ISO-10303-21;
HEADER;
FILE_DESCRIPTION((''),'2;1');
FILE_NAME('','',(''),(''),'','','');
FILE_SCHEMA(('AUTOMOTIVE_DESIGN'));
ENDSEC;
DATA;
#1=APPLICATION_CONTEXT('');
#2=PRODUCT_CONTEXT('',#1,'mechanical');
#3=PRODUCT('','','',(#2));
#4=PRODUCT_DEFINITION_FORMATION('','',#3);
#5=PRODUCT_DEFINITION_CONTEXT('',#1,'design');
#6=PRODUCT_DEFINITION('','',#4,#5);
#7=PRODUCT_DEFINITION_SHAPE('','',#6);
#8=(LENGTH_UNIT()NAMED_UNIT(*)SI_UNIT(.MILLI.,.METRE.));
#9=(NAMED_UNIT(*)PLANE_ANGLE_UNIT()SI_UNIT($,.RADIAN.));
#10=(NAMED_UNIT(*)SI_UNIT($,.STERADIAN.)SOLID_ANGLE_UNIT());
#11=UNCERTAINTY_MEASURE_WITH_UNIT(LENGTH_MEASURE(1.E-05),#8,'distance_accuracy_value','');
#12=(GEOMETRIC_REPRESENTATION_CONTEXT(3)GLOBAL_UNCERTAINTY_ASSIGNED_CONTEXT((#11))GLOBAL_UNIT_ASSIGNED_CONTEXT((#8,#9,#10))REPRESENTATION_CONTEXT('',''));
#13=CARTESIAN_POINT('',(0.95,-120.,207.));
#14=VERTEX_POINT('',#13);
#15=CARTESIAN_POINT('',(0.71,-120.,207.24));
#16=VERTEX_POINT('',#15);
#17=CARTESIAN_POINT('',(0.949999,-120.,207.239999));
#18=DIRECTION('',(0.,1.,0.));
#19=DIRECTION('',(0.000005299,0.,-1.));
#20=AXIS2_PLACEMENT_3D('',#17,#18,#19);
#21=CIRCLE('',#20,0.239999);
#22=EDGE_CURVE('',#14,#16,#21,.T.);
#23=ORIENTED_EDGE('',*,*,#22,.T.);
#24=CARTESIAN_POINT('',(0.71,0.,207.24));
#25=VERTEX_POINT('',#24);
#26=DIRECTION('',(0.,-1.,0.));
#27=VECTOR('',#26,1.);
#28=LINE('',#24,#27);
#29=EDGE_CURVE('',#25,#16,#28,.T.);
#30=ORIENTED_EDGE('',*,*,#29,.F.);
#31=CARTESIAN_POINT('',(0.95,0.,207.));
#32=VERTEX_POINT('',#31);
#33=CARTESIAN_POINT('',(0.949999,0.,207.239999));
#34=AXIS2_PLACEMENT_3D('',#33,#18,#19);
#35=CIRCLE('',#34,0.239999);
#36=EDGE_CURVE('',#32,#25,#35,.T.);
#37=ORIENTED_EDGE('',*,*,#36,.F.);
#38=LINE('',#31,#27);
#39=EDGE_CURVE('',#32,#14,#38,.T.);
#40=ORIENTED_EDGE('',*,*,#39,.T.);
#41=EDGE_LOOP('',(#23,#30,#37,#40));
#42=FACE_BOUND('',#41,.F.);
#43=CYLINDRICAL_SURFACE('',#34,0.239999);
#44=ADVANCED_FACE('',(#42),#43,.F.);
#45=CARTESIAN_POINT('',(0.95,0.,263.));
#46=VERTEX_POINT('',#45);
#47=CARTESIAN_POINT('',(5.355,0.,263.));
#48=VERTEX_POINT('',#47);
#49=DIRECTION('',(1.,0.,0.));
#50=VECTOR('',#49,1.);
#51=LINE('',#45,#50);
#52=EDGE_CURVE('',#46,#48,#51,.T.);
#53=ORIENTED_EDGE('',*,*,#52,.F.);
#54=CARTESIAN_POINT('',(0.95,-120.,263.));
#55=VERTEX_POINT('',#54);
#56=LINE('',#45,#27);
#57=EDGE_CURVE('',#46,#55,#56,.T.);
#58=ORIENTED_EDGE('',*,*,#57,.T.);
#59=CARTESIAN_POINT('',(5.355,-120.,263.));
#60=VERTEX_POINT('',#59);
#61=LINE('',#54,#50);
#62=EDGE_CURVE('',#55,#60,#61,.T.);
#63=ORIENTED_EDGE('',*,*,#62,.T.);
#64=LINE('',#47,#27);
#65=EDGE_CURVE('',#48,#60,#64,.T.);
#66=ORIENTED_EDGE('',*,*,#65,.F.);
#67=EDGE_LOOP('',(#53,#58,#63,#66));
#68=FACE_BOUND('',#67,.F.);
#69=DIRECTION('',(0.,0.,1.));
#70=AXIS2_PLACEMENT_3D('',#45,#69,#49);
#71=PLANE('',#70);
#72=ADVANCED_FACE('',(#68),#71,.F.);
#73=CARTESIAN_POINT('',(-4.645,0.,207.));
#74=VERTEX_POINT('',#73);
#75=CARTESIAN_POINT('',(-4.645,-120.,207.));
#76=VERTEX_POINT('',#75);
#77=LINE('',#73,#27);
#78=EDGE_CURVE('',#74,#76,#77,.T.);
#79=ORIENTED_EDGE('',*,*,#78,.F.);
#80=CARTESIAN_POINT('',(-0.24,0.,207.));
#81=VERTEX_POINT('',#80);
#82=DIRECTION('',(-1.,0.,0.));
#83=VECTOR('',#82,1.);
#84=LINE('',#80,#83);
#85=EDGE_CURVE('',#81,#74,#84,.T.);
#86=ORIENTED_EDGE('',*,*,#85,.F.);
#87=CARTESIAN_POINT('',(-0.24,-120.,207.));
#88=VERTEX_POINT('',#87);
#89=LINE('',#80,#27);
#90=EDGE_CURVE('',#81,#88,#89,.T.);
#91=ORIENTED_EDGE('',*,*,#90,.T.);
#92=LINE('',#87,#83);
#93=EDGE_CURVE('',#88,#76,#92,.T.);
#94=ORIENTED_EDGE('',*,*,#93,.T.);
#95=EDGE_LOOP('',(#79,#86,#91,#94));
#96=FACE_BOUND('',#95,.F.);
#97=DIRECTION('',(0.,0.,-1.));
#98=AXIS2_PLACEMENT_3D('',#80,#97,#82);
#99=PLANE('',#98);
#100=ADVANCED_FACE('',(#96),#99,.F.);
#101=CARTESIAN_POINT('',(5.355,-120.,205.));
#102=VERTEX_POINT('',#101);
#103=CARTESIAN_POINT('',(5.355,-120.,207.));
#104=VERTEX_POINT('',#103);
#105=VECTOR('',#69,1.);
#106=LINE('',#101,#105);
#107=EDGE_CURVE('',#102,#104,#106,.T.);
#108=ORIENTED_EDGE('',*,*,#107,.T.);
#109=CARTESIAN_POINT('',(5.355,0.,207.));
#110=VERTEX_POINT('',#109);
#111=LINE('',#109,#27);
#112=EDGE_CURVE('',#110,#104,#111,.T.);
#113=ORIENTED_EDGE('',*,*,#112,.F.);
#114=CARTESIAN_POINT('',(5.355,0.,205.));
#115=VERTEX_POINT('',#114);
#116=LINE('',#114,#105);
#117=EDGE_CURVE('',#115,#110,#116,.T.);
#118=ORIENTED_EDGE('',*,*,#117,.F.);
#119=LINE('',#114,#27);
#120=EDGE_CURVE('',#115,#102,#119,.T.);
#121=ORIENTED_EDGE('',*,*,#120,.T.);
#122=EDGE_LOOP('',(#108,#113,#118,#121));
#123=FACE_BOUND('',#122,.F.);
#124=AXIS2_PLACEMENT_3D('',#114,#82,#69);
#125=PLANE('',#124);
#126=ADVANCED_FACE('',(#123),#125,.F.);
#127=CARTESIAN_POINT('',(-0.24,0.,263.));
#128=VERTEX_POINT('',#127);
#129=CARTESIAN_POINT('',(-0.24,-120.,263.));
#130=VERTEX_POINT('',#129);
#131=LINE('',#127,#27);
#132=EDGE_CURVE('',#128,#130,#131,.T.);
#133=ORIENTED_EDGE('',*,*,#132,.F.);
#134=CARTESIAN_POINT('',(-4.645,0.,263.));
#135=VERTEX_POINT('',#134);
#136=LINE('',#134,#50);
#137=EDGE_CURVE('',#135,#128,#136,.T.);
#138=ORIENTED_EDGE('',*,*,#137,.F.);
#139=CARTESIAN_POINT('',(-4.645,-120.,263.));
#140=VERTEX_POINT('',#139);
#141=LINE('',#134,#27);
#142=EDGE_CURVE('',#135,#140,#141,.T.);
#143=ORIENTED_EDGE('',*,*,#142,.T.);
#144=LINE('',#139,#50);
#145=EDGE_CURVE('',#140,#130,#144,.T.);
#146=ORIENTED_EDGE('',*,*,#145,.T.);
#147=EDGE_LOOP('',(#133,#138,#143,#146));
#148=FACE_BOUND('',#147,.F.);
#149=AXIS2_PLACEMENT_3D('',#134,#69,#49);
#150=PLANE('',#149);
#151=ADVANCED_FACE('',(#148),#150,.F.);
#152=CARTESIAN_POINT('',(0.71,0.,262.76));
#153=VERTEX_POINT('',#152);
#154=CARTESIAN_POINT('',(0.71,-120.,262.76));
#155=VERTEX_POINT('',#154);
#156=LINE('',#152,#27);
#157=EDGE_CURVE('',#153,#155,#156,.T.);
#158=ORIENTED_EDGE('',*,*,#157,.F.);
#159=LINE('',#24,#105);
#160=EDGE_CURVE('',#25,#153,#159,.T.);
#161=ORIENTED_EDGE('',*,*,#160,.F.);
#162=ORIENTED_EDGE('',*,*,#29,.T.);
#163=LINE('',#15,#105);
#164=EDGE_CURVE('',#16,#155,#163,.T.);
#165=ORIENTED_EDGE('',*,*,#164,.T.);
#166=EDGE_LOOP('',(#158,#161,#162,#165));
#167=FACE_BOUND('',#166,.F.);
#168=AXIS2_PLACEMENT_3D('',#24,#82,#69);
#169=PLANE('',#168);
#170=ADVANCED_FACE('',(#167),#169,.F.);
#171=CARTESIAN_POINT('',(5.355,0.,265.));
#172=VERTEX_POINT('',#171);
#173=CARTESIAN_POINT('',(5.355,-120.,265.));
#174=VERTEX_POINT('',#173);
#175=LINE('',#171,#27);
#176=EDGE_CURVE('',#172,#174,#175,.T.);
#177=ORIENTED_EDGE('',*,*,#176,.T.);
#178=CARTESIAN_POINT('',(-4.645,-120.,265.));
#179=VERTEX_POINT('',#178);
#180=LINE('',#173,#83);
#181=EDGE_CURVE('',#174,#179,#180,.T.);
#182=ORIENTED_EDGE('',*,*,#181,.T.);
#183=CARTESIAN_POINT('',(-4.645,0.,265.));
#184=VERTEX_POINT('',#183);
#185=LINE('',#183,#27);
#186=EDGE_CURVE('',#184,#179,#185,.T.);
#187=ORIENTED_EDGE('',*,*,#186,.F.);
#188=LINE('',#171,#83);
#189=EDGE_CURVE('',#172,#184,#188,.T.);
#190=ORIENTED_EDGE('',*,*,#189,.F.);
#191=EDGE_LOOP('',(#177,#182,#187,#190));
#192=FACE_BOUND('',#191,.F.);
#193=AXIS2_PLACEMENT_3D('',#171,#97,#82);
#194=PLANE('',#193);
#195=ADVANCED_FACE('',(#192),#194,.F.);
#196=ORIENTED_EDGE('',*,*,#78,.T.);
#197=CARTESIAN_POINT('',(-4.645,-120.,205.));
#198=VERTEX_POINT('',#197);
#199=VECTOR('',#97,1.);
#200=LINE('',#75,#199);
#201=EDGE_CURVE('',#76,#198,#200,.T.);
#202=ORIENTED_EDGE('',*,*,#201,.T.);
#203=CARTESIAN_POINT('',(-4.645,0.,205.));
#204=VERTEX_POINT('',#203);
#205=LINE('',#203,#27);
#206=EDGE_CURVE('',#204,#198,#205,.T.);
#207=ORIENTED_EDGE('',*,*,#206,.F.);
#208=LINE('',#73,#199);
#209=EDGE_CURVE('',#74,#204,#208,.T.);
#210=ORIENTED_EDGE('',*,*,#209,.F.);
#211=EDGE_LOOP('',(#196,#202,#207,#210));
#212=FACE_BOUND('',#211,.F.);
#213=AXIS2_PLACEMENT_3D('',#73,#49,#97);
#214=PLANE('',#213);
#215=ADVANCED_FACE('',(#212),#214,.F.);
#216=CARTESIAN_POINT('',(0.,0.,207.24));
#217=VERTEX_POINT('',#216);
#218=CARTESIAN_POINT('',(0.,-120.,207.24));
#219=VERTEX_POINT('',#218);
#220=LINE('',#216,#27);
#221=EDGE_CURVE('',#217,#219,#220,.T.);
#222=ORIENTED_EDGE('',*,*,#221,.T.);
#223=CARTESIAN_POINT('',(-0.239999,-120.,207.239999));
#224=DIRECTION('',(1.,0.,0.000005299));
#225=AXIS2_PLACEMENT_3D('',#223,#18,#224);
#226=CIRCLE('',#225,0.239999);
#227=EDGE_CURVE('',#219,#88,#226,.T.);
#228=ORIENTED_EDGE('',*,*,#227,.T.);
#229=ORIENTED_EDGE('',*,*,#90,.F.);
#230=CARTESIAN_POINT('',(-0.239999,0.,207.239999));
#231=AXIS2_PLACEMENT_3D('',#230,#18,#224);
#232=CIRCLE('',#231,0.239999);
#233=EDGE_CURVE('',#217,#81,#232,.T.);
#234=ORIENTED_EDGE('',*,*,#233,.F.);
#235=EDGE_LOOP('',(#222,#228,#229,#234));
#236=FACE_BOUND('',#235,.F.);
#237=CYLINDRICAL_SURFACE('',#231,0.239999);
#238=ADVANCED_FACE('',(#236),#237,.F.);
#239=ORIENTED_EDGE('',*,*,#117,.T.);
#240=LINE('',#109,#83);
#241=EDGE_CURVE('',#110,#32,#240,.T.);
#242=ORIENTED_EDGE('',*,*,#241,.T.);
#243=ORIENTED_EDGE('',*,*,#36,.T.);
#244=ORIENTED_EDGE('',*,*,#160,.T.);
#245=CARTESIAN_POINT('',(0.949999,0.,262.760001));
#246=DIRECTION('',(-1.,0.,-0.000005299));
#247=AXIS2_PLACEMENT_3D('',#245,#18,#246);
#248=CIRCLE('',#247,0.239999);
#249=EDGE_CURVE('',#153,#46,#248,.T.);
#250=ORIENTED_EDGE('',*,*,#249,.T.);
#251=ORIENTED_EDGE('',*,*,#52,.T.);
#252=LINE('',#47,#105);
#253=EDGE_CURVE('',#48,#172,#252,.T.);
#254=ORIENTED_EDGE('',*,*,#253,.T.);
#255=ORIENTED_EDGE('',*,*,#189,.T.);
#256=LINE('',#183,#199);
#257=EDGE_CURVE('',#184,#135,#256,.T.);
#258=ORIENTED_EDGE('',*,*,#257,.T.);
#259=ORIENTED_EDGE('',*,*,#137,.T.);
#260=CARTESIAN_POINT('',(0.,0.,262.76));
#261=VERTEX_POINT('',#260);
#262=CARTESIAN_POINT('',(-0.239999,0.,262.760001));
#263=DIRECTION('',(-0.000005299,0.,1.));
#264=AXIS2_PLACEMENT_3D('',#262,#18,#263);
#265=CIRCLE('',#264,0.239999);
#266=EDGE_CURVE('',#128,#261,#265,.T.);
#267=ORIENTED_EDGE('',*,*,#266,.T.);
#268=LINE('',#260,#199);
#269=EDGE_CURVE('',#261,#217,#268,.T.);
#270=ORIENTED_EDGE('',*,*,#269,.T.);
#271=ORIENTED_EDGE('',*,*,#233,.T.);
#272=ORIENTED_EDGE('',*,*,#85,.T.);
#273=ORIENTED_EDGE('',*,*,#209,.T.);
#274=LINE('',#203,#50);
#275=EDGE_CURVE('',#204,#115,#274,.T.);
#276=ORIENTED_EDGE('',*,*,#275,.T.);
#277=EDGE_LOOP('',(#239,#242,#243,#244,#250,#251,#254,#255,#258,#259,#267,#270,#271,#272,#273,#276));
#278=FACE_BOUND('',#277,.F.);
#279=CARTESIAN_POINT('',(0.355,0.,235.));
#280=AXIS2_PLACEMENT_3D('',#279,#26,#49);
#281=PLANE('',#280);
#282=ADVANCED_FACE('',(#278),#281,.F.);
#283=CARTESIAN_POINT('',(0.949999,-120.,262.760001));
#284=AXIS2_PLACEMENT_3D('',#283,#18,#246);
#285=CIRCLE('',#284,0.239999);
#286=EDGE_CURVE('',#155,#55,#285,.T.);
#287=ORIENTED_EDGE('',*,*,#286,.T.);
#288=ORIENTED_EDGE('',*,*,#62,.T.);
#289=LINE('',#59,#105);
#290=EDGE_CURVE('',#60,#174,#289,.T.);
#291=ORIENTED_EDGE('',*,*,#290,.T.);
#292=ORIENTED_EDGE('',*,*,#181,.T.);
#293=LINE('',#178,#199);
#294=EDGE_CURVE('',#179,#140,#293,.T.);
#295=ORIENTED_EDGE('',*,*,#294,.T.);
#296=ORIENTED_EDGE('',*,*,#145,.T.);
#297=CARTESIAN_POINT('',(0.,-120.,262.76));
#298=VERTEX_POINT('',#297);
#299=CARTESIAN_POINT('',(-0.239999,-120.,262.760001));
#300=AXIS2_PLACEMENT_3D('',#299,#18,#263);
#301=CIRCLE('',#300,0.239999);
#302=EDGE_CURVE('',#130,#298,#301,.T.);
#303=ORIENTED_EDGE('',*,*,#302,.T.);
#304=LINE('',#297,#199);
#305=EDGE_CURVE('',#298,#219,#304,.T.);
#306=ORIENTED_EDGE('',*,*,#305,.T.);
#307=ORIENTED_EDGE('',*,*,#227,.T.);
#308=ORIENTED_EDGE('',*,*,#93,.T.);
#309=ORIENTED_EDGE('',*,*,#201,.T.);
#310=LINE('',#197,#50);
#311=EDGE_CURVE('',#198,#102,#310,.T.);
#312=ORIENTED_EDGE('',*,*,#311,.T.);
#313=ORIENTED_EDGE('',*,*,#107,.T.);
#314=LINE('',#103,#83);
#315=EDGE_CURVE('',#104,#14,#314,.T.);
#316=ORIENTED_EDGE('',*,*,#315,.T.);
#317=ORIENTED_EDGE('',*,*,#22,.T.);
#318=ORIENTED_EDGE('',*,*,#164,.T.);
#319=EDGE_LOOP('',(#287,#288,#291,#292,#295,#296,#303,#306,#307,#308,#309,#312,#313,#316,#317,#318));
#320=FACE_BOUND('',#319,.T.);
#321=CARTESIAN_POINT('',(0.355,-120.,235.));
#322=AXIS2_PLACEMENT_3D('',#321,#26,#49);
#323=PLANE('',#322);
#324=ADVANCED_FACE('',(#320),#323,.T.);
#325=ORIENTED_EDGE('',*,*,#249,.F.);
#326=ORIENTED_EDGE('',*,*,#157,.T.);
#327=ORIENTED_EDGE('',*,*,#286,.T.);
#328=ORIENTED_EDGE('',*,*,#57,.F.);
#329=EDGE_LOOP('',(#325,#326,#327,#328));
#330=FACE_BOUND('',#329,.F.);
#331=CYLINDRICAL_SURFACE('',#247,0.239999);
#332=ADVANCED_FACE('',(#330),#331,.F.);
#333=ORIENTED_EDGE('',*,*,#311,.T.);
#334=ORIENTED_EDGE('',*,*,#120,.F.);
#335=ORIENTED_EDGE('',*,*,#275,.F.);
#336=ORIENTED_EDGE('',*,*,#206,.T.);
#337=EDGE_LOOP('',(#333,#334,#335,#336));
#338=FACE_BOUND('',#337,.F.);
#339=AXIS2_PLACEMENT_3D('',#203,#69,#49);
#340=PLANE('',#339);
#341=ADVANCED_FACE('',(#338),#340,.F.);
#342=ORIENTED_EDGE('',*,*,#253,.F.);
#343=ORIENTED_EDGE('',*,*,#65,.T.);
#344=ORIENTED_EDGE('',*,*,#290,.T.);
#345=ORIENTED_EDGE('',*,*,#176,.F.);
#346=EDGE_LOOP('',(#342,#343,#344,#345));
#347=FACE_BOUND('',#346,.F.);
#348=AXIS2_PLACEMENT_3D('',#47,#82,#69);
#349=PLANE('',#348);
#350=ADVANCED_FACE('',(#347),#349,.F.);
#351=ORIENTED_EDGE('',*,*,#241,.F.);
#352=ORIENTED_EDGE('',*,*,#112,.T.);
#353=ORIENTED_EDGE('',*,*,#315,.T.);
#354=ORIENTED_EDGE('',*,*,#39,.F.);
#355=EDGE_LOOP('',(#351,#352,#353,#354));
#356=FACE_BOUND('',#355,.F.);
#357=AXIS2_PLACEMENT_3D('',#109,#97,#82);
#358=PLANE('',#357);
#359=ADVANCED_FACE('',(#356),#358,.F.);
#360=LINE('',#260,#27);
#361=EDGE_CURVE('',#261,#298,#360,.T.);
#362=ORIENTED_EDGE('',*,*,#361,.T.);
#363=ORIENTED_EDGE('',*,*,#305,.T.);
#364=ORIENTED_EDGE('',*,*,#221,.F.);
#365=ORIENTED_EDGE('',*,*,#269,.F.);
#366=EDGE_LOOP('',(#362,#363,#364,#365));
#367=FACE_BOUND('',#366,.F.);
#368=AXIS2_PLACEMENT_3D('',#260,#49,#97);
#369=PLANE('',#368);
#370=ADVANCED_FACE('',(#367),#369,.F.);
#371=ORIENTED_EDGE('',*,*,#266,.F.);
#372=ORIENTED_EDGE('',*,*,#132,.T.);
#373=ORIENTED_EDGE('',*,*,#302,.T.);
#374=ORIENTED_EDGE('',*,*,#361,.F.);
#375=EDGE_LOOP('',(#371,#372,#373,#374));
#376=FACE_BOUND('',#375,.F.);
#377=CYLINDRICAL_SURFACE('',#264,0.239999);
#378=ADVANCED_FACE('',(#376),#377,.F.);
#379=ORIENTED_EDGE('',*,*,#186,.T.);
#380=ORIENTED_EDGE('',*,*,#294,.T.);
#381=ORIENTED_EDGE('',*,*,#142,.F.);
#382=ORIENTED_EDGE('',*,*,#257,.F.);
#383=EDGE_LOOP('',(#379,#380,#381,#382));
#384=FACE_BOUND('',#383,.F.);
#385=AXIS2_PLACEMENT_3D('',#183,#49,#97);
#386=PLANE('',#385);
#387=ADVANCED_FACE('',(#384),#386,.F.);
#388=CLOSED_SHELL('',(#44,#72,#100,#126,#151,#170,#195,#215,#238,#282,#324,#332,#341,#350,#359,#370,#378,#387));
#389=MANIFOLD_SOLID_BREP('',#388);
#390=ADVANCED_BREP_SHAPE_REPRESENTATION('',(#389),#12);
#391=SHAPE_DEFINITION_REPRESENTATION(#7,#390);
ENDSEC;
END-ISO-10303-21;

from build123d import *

# Parameters (mm, degrees)
F1_DEPTH = 120


with BuildPart() as f1:
    # F0 (on Front) → F1 (new body)
    with BuildSketch(Plane.XZ):
        with BuildLine():
            Line((5.355, 265), (-4.645, 265))
            Line((-4.645, 265), (-4.645, 263))
            Line((-4.645, 263), (-0.24, 263))
            ThreePointArc((-0.24, 263), (-0.070294, 262.929706), (0, 262.76))
            Line((0, 262.76), (0, 207.24))
            ThreePointArc((0, 207.24), (-0.070294, 207.070294), (-0.24, 207))
            Line((-0.24, 207), (-4.645, 207))
            Line((-4.645, 207), (-4.645, 205))
            Line((-4.645, 205), (5.355, 205))
            Line((5.355, 205), (5.355, 207))
            Line((5.355, 207), (0.95, 207))
            ThreePointArc((0.95, 207), (0.780294, 207.070294), (0.71, 207.24))
            Line((0.71, 207.24), (0.71, 262.76))
            ThreePointArc((0.71, 262.76), (0.780294, 262.929706), (0.95, 263))
            Line((0.95, 263), (5.355, 263))
            Line((5.355, 263), (5.355, 265))
        make_face()
    extrude(amount=F1_DEPTH)


solid = f1.part
